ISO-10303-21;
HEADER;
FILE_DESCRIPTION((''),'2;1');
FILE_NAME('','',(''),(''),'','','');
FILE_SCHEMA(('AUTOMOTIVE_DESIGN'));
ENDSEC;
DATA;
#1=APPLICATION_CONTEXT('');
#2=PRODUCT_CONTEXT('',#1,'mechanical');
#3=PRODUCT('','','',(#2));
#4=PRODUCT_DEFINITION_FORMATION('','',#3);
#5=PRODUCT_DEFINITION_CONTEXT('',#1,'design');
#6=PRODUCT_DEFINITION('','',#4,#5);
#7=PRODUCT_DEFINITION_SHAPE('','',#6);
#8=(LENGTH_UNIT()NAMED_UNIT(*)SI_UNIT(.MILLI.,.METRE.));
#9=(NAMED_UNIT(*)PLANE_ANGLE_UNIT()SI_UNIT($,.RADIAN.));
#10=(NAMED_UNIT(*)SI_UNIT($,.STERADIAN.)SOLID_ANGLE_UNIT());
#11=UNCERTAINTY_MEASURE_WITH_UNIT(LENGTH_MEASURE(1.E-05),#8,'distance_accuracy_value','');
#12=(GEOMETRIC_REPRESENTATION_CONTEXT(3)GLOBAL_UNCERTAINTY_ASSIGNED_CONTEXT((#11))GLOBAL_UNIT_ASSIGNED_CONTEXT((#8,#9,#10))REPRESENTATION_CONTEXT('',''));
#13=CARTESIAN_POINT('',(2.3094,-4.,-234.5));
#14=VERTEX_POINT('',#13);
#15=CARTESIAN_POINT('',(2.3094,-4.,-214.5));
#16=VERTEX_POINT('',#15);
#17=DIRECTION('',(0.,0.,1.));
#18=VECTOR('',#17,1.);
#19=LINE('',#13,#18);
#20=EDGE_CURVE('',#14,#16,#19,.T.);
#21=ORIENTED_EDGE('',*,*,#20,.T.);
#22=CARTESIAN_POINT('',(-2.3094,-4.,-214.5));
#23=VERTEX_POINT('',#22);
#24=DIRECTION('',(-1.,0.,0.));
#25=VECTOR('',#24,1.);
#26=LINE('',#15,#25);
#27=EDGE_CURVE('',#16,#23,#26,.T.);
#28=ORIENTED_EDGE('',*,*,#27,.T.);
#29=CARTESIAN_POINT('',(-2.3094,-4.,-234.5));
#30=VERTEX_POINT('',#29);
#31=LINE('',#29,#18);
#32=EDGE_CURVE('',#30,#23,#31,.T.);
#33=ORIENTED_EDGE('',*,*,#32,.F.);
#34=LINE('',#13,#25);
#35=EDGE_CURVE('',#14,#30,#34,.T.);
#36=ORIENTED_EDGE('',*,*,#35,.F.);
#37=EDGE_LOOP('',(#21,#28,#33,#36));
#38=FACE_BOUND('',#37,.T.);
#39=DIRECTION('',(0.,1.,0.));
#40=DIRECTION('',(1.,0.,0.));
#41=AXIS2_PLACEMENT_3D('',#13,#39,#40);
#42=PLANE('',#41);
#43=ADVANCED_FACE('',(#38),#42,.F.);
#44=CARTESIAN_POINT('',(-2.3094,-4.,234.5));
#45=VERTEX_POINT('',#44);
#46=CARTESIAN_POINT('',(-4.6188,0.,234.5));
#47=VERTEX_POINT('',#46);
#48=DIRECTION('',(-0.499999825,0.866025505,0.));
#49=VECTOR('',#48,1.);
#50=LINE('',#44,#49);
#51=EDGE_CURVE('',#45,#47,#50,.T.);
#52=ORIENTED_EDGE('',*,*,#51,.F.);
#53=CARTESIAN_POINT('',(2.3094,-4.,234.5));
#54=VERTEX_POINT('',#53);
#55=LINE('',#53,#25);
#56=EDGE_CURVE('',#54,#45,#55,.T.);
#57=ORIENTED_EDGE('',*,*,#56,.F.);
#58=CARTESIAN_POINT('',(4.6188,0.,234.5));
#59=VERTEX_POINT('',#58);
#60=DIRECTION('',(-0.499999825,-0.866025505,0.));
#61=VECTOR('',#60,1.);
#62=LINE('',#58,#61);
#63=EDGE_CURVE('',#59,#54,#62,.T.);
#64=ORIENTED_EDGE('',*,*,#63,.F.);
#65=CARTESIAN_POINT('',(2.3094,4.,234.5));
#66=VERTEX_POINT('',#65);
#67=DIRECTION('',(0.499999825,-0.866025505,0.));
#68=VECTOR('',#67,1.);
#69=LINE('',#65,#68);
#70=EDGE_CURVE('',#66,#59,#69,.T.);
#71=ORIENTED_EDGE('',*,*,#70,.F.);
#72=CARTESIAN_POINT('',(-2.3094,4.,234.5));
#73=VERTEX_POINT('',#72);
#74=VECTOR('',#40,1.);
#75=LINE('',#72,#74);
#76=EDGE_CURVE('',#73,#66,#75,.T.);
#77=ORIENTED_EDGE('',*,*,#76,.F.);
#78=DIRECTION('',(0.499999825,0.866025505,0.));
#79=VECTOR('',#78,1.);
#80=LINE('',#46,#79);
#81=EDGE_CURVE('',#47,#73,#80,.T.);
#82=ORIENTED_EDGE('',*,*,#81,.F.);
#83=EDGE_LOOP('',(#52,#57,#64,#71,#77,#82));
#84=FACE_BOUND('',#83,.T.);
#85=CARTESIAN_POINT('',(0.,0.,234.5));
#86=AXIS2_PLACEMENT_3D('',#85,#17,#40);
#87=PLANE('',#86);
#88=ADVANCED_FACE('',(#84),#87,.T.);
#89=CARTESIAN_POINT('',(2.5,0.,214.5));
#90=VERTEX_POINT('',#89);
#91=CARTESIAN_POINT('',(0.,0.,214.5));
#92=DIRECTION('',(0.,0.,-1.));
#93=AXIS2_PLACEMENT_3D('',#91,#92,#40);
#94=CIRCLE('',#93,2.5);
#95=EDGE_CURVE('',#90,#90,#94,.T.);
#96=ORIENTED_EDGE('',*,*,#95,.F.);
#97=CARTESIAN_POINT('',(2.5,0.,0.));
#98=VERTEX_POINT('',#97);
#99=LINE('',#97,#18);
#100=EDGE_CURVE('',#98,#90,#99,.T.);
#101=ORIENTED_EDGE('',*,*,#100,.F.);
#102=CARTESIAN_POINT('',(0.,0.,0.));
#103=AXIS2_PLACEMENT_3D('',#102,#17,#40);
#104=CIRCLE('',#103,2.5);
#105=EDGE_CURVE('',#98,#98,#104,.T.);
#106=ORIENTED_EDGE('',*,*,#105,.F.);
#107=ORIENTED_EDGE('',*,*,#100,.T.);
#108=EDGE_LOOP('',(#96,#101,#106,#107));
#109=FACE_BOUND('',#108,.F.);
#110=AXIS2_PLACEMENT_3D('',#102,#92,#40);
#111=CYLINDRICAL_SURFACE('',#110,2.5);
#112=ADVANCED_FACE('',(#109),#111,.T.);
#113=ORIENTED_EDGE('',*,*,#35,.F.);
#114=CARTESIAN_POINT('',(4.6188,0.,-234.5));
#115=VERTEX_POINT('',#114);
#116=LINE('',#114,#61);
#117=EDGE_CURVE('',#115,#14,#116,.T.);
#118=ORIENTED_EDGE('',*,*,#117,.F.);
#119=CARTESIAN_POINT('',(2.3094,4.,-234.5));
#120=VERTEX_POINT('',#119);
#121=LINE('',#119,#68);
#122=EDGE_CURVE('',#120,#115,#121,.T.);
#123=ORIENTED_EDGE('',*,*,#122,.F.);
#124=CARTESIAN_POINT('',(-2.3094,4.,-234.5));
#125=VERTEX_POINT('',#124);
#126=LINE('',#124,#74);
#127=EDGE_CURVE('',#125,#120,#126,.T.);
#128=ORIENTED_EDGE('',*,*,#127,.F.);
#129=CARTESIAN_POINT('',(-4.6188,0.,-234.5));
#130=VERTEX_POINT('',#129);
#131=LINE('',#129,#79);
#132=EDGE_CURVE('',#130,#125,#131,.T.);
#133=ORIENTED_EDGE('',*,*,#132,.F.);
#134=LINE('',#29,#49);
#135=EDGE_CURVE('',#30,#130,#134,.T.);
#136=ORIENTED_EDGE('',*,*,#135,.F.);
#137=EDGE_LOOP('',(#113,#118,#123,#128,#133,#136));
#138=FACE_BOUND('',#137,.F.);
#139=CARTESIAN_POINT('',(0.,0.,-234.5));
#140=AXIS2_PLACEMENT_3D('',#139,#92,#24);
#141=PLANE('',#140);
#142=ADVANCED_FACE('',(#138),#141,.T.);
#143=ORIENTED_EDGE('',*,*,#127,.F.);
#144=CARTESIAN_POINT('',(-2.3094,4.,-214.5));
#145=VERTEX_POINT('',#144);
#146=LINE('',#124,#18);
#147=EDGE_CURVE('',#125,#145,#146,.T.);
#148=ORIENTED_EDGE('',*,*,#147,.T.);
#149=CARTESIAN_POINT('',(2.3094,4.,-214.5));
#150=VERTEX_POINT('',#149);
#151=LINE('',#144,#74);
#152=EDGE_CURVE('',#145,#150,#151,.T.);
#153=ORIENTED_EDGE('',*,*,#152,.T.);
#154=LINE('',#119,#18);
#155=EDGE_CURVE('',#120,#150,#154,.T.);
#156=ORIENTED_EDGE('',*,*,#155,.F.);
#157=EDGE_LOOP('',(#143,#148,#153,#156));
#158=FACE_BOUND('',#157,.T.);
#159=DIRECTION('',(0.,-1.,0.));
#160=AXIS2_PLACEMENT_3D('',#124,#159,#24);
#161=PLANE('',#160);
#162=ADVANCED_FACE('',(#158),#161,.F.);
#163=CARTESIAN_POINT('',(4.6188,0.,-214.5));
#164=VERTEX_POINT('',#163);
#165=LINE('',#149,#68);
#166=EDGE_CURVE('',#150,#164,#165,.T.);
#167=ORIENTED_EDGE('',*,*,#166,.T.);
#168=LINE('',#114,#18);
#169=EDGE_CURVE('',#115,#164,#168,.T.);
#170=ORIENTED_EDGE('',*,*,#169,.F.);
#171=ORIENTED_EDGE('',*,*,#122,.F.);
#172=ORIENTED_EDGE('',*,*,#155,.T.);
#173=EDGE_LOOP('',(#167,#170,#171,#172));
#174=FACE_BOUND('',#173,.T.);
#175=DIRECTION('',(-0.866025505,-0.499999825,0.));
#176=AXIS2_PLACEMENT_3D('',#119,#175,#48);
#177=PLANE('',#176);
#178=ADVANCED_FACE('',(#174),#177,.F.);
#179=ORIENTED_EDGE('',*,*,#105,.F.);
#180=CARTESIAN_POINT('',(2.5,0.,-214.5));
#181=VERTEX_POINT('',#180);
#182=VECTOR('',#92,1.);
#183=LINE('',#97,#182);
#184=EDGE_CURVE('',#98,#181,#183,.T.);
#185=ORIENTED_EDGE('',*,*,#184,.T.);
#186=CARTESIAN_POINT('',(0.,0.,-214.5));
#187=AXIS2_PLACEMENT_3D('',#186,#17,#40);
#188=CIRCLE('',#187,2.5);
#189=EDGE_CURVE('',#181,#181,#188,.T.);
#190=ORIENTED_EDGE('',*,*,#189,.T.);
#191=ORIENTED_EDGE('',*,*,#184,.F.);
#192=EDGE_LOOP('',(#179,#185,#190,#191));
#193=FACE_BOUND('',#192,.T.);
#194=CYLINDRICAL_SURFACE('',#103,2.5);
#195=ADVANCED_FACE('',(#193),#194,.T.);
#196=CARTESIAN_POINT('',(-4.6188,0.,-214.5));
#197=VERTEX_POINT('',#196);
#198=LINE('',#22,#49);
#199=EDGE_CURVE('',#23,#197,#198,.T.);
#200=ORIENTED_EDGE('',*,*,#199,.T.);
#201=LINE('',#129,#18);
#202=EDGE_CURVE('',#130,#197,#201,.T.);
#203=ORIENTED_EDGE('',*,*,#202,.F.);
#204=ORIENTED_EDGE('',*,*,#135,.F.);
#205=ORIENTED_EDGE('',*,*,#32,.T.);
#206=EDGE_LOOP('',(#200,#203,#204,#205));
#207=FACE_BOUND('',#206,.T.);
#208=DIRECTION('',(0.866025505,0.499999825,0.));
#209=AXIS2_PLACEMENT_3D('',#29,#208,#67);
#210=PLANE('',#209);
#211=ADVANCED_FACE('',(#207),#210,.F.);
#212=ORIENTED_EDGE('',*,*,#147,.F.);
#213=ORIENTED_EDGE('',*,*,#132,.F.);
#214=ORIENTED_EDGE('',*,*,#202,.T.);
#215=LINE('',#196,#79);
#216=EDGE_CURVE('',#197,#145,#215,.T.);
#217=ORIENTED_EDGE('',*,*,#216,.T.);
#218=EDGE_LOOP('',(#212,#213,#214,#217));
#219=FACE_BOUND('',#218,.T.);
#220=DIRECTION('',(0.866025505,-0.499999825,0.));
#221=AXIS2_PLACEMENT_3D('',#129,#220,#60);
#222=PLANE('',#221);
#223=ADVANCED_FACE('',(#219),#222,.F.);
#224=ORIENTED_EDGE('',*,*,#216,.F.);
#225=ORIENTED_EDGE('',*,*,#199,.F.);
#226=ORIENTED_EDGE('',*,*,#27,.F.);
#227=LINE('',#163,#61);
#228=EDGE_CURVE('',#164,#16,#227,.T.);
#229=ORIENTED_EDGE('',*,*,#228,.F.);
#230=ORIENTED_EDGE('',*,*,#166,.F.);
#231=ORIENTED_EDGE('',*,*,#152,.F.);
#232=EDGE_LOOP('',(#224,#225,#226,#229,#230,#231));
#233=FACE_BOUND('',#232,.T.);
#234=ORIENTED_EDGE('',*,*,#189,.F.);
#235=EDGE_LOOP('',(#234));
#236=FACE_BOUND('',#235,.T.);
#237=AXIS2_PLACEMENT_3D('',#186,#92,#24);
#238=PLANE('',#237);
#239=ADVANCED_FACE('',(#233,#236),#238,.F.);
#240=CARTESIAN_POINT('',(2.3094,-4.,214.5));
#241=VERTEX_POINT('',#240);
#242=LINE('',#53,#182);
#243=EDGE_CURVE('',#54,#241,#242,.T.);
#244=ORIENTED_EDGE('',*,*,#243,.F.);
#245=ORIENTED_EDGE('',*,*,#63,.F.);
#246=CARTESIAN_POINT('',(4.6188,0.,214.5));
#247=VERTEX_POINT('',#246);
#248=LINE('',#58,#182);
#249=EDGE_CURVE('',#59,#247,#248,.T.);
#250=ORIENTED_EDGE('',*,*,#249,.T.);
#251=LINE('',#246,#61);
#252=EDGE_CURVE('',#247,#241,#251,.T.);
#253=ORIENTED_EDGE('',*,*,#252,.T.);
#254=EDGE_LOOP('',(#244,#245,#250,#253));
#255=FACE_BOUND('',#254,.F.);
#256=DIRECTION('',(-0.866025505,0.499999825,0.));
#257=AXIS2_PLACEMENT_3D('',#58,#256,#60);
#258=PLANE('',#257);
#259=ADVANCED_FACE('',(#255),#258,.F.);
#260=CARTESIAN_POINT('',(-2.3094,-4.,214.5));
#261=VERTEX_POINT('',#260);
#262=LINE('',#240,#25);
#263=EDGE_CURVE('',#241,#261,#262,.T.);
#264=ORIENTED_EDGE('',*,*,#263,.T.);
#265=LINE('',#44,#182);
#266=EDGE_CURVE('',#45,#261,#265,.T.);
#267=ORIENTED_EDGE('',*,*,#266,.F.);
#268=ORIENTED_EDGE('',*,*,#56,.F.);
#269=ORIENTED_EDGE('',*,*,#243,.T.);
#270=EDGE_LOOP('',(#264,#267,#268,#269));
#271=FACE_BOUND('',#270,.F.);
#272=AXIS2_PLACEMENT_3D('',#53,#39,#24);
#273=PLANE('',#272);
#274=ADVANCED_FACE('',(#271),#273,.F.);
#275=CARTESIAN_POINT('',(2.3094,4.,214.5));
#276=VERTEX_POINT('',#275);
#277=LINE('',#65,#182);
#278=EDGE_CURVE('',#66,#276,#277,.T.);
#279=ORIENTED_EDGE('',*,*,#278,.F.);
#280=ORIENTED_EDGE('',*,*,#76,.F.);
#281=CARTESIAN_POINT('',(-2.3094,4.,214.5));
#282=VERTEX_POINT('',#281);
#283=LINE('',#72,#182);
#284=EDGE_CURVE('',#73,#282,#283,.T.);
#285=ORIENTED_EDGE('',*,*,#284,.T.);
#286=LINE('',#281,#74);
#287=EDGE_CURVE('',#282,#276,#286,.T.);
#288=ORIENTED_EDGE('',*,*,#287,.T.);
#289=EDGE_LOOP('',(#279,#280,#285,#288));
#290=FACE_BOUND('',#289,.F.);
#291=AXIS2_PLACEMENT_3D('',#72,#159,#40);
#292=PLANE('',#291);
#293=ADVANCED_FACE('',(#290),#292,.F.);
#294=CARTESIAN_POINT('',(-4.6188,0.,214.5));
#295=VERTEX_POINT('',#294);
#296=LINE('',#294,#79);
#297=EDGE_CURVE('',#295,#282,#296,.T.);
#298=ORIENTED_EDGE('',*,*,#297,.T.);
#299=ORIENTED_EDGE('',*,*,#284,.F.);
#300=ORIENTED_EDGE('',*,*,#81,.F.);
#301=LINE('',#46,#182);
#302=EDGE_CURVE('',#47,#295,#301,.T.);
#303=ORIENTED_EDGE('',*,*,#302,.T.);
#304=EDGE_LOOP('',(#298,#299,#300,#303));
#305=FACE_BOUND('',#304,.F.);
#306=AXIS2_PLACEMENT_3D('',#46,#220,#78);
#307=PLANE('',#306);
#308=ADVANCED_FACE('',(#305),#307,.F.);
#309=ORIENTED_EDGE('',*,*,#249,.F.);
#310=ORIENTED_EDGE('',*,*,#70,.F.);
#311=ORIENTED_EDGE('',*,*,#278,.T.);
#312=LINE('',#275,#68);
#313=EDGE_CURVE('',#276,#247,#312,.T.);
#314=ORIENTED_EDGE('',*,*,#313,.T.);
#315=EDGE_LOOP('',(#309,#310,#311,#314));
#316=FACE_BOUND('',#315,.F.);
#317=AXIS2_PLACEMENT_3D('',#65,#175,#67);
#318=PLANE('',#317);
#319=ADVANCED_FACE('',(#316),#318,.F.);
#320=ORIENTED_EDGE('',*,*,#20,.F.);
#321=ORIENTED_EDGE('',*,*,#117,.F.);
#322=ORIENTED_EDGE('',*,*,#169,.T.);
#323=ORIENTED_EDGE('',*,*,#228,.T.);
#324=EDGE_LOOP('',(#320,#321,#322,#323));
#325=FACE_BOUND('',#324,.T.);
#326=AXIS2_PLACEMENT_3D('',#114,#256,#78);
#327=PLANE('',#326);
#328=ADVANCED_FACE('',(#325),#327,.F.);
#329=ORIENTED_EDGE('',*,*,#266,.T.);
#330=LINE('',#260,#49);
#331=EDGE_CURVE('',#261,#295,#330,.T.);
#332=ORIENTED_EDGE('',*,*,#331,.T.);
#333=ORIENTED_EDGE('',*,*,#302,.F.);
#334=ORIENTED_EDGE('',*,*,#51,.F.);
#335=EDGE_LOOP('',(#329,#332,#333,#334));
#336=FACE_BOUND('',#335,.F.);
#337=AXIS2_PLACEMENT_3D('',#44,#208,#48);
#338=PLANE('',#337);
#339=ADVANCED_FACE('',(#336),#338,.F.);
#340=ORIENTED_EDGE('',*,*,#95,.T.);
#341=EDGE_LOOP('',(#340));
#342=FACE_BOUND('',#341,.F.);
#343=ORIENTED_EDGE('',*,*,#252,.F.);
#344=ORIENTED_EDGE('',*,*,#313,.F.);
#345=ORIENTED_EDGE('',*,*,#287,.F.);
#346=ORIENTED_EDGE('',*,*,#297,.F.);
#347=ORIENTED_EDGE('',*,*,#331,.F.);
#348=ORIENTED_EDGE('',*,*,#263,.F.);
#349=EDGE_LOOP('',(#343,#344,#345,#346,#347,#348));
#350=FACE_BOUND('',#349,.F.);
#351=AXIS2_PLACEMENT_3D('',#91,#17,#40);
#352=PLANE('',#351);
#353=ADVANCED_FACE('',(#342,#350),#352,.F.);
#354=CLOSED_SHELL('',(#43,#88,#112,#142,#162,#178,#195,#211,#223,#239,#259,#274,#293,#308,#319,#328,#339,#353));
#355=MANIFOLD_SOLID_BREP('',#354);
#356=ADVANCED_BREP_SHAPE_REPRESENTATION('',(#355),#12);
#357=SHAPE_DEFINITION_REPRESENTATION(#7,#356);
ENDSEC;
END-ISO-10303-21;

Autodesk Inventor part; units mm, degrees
ref_plane "YZ Plane" through (0, 0, 0) normal (1, 0, 0) x (0, 1, 0)
ref_plane "XZ Plane" through (0, 0, 0) normal (0, 1, 0) x (-1, 0, 0)
ref_plane "XY Plane" through (0, 0, 0) normal (0, 0, 1) x (1, 0, 0)
sketch "Skizze1" plane through (0, 0, 0) normal (0, 0, 1) x (1, 0, 0)
  circle A0 centre (0, 0) radius 2.5
  dimension "d0" = 5
extrude "Extrusion1" add sketch "Skizze1" along normal mid plane 469
sketch "Skizze2" plane through (0, 0, 234.5) normal (0, 0, 1) x (1, 0, 0)
  line L0 (-2.3094, 4) -> (2.3094, 4)
  line L1 (2.3094, 4) -> (4.6188, 0)
  line L2 (4.6188, 0) -> (2.3094, -4)
  line L3 (2.3094, -4) -> (-2.3094, -4)
  line L4 (-2.3094, -4) -> (-4.6188, 0)
  line L5 (-4.6188, 0) -> (-2.3094, 4)
  point P0 (0, 0)
  point P1 (0, 0)
  dimension "d3" = 8
extrude "Extrusion2" add sketch "Skizze2" against normal blind 20
mirror "Spiegeln1" about plane through (0, 0, 0) normal (0, 0, 1) of "Extrusion2"
properties part number "Door Axis" material "Edelstahl"
